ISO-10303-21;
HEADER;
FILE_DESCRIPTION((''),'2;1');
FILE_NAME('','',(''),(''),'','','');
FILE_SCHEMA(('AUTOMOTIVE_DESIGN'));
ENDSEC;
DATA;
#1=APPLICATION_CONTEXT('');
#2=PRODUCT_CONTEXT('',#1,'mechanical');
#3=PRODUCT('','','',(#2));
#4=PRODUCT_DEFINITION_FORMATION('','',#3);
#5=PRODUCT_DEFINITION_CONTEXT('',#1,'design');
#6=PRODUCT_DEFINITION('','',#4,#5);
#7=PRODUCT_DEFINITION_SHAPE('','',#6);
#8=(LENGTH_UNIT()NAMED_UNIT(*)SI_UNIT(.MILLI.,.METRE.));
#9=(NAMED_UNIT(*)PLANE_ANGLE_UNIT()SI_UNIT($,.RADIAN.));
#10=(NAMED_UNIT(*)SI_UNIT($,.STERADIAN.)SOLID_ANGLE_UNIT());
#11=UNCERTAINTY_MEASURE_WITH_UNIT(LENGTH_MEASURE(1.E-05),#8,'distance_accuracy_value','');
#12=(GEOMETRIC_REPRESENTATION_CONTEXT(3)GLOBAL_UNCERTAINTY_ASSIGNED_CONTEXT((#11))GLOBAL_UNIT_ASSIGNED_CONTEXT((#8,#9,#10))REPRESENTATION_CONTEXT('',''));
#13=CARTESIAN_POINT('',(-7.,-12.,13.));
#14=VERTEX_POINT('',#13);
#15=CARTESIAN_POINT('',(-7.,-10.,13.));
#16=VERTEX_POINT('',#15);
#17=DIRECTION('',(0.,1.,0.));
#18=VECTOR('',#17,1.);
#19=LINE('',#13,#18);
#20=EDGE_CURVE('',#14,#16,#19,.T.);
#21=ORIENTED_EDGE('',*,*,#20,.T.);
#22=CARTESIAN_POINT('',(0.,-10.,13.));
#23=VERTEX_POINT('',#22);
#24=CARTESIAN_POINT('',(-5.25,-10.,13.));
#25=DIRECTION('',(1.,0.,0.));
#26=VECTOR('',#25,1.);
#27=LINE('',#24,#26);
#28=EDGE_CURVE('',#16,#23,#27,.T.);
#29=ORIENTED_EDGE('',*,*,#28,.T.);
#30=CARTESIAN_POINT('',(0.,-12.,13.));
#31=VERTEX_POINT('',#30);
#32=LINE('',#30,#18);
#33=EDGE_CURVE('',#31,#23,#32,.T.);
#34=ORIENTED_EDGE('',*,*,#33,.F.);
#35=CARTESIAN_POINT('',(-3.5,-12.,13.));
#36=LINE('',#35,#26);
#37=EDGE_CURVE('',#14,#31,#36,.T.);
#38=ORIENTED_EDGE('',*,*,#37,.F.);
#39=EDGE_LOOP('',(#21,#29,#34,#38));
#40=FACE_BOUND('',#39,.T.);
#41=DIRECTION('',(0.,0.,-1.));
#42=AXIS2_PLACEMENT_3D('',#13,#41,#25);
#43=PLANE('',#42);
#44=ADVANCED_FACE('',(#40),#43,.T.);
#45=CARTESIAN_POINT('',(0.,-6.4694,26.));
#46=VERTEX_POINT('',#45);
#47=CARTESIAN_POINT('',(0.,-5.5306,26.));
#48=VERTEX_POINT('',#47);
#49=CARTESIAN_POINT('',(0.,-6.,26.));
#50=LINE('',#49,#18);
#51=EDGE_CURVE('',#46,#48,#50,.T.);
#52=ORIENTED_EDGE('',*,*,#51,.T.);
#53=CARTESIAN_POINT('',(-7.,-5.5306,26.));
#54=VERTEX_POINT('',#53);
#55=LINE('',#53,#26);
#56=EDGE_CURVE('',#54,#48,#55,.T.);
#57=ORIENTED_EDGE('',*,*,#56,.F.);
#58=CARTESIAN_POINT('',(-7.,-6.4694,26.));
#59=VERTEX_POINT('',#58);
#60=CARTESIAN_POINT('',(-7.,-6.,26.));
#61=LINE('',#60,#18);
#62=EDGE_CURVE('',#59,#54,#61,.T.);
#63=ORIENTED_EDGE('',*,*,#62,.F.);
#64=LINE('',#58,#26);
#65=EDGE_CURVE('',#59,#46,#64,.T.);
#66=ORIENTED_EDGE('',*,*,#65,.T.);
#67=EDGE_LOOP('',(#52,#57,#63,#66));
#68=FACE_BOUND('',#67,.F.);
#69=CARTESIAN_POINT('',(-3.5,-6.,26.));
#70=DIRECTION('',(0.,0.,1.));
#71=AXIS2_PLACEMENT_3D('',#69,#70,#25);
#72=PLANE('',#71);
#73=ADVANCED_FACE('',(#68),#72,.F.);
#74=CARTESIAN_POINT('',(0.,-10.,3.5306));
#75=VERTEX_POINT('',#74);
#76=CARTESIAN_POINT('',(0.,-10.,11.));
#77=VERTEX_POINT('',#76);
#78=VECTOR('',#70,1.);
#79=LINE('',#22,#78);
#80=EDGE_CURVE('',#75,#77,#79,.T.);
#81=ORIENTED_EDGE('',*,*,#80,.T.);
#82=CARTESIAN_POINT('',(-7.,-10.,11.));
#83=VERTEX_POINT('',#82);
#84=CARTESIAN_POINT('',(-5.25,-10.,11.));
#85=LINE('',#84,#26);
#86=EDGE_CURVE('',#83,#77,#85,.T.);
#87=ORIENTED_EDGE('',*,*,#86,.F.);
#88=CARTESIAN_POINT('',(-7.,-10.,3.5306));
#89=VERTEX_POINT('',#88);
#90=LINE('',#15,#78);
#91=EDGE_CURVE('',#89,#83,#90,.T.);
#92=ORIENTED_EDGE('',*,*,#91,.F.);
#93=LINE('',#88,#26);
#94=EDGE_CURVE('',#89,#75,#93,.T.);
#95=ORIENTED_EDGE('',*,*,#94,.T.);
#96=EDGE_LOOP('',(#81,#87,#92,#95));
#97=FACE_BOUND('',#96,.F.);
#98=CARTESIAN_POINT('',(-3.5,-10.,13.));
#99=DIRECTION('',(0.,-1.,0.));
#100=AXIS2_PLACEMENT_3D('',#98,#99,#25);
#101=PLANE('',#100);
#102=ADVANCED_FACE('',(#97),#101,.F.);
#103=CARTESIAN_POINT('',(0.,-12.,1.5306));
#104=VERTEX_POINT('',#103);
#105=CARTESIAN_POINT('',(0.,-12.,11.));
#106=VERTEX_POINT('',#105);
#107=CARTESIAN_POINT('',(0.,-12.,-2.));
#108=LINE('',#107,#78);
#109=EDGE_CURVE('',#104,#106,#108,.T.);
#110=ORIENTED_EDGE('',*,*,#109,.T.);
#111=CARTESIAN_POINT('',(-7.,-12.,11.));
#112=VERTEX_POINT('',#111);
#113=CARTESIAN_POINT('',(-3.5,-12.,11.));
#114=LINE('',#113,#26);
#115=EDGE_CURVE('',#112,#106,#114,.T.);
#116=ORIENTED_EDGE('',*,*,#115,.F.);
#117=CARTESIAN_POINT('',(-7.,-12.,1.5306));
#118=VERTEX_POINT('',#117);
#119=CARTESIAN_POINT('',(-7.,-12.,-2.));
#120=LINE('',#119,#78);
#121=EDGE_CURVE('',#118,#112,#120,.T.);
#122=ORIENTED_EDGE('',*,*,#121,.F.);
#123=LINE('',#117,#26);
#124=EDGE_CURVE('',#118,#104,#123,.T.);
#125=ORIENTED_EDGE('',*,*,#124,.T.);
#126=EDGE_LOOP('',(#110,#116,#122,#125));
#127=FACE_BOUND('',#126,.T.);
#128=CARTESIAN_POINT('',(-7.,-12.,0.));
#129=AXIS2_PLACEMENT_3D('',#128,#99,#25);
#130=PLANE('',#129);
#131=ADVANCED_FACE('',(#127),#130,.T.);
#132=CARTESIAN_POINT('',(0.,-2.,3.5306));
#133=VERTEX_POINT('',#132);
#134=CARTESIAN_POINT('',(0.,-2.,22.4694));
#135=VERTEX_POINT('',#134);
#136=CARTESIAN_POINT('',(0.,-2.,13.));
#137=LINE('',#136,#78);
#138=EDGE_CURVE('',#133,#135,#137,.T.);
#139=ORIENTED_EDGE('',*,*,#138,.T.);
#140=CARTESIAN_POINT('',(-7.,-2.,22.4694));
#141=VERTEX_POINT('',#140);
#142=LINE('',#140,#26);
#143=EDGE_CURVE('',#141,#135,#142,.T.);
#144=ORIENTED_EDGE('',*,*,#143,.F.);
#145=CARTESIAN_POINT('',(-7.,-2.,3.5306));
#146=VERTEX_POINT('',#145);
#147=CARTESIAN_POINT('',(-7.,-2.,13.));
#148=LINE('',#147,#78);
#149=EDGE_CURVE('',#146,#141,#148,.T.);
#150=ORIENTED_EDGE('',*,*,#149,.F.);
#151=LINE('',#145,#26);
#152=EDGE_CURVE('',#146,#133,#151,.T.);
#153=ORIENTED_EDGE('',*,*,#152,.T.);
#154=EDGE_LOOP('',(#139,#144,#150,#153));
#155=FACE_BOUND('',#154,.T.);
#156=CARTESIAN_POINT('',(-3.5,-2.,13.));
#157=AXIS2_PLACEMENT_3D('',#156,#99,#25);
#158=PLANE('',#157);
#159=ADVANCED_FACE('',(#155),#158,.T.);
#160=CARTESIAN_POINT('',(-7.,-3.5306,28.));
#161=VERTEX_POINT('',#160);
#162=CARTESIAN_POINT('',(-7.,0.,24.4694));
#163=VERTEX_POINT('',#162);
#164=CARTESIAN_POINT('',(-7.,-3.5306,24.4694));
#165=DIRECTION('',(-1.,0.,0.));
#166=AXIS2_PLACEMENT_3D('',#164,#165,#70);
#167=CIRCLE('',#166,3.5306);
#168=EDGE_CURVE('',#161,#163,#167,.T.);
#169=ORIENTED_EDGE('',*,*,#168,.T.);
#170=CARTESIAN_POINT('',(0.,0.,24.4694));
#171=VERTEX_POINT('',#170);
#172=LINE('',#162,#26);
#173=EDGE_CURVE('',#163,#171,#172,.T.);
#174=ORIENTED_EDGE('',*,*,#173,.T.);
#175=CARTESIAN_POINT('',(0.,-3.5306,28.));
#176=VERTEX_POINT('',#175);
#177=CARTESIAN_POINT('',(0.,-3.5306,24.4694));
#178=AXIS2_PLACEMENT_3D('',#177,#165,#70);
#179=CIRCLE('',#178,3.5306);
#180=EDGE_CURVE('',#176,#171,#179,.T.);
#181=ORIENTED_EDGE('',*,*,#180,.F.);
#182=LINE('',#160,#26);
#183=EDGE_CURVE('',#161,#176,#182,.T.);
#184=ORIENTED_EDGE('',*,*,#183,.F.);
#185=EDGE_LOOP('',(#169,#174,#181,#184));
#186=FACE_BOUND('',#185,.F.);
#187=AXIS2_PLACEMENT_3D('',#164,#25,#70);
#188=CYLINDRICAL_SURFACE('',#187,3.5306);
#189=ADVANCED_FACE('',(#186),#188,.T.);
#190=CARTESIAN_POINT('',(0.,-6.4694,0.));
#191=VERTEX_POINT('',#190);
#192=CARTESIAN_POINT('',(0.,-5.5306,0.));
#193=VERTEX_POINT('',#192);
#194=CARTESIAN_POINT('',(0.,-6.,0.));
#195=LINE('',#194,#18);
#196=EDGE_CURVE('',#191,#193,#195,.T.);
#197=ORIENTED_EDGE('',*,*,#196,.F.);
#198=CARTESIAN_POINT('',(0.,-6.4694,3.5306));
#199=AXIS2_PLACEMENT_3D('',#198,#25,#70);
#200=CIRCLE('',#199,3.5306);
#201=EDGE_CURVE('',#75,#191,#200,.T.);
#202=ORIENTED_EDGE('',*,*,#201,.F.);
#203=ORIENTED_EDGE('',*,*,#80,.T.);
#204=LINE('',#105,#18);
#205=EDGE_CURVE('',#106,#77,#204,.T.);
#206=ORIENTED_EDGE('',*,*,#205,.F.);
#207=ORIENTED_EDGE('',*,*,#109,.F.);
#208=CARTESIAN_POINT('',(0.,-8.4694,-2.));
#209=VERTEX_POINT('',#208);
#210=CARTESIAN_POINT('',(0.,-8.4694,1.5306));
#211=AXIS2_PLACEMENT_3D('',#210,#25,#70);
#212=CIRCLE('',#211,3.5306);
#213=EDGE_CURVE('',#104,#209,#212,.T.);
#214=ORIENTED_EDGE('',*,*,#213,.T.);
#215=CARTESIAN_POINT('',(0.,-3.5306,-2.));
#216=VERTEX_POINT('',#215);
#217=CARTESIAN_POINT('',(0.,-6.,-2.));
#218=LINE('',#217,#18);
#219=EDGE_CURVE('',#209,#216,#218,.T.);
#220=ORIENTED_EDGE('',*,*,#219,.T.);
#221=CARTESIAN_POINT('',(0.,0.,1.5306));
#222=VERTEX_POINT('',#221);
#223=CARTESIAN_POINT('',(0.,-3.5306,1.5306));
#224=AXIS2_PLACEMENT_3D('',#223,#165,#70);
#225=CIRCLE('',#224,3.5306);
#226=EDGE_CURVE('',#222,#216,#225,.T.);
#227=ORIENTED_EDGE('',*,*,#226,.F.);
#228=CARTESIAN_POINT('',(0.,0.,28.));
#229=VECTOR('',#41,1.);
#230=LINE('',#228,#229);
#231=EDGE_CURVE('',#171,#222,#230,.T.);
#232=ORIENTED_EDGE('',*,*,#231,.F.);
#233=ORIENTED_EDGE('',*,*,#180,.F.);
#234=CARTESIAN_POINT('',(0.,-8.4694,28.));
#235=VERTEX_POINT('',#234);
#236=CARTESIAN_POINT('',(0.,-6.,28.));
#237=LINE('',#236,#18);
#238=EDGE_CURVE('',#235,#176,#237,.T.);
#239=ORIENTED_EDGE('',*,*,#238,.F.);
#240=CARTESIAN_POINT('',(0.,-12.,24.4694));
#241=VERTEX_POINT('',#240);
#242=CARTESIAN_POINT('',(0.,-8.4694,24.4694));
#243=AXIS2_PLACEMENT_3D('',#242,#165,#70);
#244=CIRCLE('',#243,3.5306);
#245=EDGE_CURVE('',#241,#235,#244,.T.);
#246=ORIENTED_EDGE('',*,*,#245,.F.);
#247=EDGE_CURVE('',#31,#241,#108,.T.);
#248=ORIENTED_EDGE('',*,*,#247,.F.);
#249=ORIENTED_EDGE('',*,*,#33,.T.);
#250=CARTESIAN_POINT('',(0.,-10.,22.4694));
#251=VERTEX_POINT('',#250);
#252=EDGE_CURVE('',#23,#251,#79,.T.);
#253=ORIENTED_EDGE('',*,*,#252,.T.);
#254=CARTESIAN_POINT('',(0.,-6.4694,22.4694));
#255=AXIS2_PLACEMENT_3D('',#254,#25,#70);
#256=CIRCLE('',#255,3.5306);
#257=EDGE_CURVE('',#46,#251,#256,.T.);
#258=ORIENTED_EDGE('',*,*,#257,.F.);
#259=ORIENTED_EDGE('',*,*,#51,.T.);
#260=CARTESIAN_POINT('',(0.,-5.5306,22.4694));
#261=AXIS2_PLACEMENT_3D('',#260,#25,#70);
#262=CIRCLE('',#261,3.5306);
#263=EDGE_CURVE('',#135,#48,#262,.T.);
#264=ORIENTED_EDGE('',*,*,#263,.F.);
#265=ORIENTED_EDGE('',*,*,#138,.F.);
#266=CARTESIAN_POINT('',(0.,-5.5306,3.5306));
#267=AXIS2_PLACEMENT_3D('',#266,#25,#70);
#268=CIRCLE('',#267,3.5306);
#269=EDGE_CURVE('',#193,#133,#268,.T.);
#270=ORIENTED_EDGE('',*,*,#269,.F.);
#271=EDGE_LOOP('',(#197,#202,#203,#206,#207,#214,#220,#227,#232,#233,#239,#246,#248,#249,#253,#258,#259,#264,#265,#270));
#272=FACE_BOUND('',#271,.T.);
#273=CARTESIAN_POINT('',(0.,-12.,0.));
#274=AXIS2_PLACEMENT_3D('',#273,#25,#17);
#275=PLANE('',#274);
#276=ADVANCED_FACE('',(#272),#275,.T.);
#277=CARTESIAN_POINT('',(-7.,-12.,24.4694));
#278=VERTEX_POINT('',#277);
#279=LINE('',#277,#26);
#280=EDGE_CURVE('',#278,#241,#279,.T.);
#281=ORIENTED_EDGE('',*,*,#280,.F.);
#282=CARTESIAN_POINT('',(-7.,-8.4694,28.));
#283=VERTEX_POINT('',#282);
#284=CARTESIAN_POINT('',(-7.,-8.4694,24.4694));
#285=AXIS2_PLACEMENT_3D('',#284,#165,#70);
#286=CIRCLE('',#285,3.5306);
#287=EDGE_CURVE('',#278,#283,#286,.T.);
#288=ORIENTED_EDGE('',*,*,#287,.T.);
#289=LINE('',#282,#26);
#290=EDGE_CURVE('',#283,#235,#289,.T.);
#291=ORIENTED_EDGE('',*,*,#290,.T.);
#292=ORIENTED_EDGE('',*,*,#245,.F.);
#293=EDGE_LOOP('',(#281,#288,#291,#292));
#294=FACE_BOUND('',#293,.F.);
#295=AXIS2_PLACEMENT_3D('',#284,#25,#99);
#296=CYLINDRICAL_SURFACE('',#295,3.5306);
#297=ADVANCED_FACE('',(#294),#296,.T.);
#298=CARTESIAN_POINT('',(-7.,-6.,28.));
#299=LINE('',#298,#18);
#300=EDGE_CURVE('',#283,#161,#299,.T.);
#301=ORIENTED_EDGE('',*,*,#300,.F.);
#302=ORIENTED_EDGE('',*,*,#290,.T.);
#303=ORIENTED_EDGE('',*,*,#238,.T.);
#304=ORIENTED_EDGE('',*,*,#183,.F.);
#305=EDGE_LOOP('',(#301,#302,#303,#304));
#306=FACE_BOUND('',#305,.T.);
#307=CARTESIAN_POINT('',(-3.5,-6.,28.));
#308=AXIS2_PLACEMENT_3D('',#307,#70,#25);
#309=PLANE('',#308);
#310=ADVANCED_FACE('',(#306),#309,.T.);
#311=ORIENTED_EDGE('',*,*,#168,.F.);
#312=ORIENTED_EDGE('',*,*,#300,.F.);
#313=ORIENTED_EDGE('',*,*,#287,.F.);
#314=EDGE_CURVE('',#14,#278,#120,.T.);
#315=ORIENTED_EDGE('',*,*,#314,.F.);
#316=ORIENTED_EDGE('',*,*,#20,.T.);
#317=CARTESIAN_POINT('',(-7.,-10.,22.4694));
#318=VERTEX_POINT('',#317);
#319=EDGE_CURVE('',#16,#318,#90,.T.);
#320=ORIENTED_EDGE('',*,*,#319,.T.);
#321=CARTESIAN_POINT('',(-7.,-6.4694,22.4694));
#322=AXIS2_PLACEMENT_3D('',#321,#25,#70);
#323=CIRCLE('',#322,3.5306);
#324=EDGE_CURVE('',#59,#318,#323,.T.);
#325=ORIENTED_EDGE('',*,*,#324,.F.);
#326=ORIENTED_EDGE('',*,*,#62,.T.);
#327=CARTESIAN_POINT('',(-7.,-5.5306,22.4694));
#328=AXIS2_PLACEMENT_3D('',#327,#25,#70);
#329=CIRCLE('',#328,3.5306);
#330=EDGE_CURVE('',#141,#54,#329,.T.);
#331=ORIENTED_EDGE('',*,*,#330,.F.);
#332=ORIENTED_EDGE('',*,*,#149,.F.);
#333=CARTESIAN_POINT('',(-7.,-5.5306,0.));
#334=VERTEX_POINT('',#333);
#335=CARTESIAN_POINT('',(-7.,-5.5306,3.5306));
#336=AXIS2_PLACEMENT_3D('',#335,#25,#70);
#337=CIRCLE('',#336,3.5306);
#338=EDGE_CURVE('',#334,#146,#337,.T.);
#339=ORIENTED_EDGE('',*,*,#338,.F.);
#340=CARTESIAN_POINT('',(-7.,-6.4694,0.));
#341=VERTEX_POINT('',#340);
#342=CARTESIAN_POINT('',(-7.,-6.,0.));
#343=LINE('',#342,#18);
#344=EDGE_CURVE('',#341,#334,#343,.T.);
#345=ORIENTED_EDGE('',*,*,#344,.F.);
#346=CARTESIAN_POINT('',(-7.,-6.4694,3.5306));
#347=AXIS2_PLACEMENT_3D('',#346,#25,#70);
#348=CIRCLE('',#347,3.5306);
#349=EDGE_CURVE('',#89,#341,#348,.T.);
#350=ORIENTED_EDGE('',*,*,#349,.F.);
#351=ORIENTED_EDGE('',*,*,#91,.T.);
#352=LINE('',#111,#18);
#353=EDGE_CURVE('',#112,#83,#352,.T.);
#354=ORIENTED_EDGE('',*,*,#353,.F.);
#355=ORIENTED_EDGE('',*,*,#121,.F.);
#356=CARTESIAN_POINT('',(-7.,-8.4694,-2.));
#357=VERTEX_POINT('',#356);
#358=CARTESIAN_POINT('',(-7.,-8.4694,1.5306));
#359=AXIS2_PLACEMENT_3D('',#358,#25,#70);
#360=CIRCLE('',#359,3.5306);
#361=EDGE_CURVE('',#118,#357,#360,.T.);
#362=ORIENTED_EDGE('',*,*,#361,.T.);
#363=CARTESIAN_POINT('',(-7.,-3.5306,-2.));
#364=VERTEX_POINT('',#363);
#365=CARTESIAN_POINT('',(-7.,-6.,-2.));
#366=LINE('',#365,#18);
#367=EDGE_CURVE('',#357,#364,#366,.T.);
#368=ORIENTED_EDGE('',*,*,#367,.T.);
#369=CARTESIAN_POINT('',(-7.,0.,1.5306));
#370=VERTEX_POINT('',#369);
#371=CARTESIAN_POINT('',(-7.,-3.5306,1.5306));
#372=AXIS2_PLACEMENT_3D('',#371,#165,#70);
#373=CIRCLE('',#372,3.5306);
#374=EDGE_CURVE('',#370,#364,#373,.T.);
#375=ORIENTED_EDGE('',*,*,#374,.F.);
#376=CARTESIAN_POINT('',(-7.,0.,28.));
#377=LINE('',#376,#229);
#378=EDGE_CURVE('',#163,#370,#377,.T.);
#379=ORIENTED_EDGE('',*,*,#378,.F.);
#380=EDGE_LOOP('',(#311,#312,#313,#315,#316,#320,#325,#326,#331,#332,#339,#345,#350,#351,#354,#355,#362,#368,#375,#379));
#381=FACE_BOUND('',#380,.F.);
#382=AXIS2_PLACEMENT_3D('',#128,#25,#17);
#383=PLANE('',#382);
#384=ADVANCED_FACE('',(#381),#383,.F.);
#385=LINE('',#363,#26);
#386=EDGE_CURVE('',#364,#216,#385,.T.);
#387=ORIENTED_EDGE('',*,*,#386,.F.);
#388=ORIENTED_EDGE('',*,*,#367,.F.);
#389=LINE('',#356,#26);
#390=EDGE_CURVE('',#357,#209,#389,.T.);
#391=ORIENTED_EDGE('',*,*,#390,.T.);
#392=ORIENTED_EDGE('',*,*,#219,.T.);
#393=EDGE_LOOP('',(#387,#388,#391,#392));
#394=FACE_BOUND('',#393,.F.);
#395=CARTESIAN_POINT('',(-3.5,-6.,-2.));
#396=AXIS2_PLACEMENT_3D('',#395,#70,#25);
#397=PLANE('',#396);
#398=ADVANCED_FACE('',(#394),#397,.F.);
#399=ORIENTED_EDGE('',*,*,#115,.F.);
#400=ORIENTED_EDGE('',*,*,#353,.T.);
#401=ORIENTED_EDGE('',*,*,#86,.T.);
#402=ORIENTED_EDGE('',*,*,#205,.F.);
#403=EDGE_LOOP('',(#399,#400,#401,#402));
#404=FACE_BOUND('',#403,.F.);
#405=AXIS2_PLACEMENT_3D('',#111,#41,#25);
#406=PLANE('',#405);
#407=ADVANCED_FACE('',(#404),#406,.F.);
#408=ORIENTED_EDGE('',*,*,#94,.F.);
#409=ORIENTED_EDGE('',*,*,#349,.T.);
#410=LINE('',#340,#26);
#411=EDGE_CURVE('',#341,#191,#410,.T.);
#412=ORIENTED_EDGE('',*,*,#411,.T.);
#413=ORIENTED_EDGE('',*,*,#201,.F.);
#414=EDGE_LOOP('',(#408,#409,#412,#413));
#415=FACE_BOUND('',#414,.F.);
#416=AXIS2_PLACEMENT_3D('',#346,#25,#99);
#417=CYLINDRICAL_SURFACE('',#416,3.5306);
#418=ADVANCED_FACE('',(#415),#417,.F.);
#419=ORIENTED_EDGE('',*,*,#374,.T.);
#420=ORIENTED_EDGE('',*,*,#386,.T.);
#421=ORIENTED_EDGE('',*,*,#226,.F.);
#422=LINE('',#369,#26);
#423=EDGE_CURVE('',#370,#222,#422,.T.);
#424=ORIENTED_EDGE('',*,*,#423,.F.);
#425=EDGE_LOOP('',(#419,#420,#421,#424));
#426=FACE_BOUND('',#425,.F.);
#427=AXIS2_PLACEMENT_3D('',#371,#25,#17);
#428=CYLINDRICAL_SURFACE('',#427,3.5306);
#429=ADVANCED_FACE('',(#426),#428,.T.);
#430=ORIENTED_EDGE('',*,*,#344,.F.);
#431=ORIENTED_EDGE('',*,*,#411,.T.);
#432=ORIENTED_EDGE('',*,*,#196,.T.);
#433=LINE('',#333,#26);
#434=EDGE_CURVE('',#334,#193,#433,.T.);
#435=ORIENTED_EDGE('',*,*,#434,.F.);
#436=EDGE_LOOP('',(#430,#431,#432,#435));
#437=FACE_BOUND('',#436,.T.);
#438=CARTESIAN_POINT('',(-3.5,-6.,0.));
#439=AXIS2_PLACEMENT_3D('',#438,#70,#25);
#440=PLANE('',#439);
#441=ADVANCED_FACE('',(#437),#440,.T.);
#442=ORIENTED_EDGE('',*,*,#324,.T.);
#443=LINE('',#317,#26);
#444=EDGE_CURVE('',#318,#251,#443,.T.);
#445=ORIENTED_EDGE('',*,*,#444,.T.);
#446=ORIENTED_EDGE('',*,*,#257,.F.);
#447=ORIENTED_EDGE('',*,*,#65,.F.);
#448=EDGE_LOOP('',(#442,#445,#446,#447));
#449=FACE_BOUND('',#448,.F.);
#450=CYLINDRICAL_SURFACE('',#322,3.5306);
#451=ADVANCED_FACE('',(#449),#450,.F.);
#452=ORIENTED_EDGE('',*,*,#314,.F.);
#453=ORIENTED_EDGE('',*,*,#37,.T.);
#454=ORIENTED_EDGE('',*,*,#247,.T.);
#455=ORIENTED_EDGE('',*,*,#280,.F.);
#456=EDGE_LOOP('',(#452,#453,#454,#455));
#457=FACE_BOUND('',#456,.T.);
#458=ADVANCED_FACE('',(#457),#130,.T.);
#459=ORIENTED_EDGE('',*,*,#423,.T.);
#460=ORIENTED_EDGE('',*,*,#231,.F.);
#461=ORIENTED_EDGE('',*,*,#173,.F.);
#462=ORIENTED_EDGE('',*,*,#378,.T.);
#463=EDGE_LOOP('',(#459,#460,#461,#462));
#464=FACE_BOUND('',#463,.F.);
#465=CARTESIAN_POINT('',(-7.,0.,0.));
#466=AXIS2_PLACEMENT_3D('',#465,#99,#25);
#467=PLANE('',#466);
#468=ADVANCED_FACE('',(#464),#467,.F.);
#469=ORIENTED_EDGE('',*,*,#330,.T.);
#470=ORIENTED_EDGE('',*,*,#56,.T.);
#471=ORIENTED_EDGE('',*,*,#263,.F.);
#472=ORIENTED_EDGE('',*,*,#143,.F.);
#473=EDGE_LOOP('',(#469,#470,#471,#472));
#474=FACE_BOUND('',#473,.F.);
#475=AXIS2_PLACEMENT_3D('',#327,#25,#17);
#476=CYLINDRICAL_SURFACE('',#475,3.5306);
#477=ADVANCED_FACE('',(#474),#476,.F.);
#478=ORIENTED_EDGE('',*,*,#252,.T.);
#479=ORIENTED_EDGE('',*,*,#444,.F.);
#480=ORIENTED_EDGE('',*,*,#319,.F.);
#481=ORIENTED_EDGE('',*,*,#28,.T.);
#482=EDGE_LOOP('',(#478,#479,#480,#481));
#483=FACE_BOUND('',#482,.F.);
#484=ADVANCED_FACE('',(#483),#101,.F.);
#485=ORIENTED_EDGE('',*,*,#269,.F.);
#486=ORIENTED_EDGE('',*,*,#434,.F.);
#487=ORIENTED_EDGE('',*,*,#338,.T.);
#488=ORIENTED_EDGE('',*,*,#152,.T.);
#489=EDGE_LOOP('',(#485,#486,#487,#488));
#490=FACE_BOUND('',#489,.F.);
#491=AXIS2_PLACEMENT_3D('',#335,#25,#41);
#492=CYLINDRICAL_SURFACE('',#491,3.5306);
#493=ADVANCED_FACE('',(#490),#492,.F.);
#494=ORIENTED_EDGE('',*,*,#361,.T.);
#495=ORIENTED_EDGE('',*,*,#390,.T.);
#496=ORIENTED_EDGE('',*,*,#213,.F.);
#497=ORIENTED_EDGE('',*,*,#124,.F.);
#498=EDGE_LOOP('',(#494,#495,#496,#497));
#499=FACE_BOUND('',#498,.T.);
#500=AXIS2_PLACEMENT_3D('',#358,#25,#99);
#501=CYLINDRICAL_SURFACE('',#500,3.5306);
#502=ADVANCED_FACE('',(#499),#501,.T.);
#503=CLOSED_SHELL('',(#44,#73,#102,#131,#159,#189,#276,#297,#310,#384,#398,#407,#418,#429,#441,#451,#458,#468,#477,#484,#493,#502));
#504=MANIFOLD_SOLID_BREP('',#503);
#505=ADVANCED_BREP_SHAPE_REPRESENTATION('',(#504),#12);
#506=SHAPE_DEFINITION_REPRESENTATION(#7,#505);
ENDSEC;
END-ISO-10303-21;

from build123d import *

# Parameters (mm, degrees)
F0_W     = 7
F0_H     = 26
F1_DEPTH = 2
F2_START = 10
F2_DEPTH = 2
F3_W     = 7
F3_H     = 12
F4_DEPTH = 2
F5_START = -26
F5_DEPTH = 2
F7_W     = 7
F7_H     = 2
F8_DEPTH = 4
F9_R     = 3.5306


with BuildPart() as f1:
    # F0 (on Front) → F1 (new body)
    with BuildSketch(Plane.XZ):
        with Locations((-3.5, 13)):
            Rectangle(F0_W, F0_H)
    extrude(amount=F1_DEPTH)


with BuildPart() as f2:
    # F0 (on Front) → F2 (new body)
    with BuildSketch(Plane.XZ.offset(F2_START)):
        with Locations((-3.5, 13)):
            Rectangle(F0_W, F0_H)
    extrude(amount=F2_DEPTH)


with BuildPart() as f4:
    # F3 (on face) → F4 (new body)
    with BuildSketch(Plane.XY.offset(26)):
        with Locations((-3.5, -6)):
            Rectangle(F3_W, F3_H)
    extrude(amount=F4_DEPTH)


with BuildPart() as f5:
    # F3 (on face) → F5 (new body)
    with BuildSketch(Plane.XY.offset(26).offset(F5_START)):
        with Locations((-3.5, -6)):
            Rectangle(F3_W, F3_H)
    extrude(amount=-F5_DEPTH)


with BuildPart() as f1_1:
    add(f1.part)

    # F6: union F2, F4, F5
    add(f2.part)
    add(f4.part)
    add(f5.part)

    # F7 (on face) → F8 (cut)
    with BuildSketch(Plane.XZ.offset(12)):
        with Locations((-3.5, 12)):
            Rectangle(F7_W, F7_H)
    extrude(amount=-F8_DEPTH, mode=Mode.SUBTRACT)

    # F9
    f9_edges = [f1_1.edges().sort_by_distance(p)[0] for p in [
        (-3.5, -12, 28),
        (-3.5, 0, 28),
        (-3.5, -12, -2),
        (-3.5, 0, -2),
        (-3.5, -2, 26),
        (-3.5, -2, 0),
        (-3.5, -10, 0),
        (-3.5, -10, 26),
    ]]
    fillet(f9_edges, radius=F9_R)


solid = f1_1.part
